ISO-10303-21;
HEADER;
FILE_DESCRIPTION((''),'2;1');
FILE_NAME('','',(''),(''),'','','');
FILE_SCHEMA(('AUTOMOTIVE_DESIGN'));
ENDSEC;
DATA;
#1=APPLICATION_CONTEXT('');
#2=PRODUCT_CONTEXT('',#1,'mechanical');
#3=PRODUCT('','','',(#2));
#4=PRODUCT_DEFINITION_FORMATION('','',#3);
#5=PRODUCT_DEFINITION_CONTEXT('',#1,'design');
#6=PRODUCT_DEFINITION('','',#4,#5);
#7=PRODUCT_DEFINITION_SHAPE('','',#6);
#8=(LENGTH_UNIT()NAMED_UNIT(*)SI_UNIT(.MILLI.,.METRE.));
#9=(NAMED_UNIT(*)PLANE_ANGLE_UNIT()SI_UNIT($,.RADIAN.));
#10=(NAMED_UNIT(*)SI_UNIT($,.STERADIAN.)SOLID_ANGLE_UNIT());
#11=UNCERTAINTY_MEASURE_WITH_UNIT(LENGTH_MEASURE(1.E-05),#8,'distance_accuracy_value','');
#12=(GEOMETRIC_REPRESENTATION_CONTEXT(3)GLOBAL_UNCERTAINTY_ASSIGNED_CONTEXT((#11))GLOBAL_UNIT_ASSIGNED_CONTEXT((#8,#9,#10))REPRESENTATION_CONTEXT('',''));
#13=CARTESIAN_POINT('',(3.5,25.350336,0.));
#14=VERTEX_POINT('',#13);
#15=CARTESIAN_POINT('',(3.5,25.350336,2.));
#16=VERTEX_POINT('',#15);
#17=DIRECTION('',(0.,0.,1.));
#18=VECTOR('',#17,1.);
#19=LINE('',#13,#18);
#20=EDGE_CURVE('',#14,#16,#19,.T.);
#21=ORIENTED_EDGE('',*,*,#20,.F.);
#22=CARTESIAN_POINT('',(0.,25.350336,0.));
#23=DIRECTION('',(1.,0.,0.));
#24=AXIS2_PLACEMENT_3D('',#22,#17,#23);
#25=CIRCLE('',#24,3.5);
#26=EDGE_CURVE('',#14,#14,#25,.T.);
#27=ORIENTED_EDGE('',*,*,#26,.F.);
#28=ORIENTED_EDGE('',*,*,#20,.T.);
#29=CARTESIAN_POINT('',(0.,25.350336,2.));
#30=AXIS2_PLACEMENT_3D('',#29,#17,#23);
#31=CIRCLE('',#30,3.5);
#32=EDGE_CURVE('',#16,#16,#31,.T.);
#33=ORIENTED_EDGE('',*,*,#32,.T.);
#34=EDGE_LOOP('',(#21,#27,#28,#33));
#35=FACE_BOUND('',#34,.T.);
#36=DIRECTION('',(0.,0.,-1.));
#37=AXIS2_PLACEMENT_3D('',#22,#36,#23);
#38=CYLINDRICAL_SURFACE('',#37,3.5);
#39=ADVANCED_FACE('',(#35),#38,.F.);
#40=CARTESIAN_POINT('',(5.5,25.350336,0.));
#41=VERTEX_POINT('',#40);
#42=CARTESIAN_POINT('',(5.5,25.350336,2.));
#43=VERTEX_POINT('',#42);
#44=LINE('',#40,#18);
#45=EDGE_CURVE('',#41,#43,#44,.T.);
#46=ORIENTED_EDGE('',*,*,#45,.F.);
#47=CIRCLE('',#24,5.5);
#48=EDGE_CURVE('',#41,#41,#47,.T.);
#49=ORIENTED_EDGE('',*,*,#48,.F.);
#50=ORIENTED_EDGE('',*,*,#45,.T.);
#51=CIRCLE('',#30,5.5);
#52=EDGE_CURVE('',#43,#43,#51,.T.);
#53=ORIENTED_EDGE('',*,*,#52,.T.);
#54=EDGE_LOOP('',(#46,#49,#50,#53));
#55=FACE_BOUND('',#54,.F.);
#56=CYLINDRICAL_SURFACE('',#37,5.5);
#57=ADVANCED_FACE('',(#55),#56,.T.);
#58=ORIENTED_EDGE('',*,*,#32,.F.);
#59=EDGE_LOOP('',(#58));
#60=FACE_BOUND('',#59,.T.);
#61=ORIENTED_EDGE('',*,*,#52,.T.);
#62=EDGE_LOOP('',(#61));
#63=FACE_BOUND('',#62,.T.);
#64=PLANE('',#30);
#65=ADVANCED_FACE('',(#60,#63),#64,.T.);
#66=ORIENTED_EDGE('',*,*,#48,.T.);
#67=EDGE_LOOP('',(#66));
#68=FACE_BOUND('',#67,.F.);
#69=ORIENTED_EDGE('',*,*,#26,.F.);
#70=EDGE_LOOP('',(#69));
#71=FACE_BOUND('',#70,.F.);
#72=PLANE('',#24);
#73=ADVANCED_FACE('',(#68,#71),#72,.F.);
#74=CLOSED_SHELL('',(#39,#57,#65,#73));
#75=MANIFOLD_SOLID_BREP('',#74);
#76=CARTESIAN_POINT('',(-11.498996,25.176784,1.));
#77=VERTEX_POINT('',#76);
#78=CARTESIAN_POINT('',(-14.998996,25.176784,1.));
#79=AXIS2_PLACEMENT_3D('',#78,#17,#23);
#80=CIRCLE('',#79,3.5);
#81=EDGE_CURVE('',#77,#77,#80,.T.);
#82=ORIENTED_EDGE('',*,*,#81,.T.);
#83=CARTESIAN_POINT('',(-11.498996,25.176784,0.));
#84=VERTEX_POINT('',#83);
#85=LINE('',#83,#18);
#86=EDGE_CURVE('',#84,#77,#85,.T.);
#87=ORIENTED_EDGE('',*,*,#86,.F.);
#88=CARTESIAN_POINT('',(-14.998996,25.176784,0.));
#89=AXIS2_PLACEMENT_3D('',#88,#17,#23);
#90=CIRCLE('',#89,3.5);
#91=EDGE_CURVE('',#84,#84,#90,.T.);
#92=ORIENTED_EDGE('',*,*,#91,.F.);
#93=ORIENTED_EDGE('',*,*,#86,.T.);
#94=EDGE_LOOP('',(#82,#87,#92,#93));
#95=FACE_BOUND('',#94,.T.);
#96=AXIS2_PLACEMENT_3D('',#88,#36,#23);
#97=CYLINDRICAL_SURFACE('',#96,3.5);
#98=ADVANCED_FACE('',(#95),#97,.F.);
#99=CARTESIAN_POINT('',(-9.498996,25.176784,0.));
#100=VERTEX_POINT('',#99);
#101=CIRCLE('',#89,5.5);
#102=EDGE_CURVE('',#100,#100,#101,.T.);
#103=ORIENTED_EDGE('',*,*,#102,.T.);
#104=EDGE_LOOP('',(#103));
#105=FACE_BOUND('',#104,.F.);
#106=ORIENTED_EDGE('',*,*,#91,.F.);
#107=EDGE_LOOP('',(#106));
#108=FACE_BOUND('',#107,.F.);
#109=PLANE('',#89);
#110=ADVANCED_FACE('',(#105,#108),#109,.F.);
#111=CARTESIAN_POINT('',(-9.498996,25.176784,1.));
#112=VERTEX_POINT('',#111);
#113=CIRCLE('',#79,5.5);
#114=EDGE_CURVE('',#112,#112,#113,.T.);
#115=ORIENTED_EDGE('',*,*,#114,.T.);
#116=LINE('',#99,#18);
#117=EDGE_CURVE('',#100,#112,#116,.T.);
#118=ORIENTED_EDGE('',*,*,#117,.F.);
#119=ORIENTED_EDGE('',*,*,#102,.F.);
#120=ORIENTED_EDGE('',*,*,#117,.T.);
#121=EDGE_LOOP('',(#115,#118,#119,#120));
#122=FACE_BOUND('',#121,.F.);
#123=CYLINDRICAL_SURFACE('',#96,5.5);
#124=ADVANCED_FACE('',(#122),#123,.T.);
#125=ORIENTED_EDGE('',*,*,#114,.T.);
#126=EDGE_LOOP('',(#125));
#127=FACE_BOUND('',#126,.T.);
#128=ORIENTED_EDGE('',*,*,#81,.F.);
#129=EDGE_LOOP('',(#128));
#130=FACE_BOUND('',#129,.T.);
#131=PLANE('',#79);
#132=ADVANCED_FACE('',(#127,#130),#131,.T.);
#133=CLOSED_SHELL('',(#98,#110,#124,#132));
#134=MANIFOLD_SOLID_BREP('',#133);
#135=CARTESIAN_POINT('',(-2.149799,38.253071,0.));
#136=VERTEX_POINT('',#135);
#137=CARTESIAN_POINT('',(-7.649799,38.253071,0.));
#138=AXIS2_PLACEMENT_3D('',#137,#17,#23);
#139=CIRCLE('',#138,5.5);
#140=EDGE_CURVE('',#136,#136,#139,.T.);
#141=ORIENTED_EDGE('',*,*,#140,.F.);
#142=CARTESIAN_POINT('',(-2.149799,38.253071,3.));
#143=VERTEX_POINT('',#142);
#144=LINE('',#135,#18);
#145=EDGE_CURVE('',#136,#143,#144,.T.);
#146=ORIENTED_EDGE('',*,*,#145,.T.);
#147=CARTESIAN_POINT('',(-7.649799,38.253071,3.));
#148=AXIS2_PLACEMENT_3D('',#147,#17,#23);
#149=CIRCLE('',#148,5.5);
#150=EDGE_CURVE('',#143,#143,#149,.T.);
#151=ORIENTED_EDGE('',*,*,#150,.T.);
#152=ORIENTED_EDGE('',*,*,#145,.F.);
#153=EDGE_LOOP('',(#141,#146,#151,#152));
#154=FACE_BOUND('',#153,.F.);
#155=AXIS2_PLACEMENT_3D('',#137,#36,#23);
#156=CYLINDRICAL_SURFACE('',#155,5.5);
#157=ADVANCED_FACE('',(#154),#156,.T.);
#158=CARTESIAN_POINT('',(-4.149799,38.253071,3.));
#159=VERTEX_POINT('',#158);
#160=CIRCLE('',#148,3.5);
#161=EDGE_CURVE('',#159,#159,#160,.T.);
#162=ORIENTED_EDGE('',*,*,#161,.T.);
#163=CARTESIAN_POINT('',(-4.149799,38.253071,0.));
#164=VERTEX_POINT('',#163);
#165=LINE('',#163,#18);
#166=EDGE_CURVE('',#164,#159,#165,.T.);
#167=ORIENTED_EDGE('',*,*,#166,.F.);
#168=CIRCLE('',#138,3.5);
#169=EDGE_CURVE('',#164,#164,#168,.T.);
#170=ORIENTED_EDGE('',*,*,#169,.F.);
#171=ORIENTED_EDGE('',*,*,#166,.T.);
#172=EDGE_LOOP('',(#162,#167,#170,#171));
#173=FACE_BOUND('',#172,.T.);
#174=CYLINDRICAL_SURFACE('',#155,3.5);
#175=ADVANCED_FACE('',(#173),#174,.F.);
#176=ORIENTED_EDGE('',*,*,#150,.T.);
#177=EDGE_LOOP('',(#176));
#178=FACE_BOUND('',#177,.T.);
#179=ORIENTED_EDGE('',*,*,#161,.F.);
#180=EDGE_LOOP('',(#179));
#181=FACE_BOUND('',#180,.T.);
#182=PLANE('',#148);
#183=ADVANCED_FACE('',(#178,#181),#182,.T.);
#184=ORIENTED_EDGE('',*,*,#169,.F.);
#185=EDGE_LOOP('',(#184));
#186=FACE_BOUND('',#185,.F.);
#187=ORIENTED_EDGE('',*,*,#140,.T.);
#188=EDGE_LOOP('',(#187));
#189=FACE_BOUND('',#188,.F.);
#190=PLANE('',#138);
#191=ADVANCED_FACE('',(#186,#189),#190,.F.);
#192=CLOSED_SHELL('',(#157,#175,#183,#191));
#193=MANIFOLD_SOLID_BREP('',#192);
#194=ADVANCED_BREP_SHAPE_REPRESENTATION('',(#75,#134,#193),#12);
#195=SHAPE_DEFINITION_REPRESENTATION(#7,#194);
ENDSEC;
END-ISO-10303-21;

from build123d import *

# Parameters (mm, degrees)
F0_R     = 5.5
F0_R_2   = 3.5
F1_DEPTH = 1
F2_DEPTH = 2
F3_DEPTH = 3


with BuildPart() as f1:
    # F0 (on Top) → F1 (new body)
    with BuildSketch(Plane.XY):
        with Locations((-14.998996, 25.176784)):
            Circle(F0_R)
        with Locations((-14.998996, 25.176784)):
            Circle(F0_R_2, mode=Mode.SUBTRACT)
    extrude(amount=F1_DEPTH)


with BuildPart() as f2:
    # F0 (on Top) → F2 (new body)
    with BuildSketch(Plane.XY):
        with Locations((0, 25.350336)):
            Circle(F0_R)
        with Locations((0, 25.350336)):
            Circle(F0_R_2, mode=Mode.SUBTRACT)
    extrude(amount=F2_DEPTH)


with BuildPart() as f3:
    # F0 (on Top) → F3 (new body)
    with BuildSketch(Plane.XY):
        with Locations((-7.649799, 38.253071)):
            Circle(F0_R)
        with Locations((-7.649799, 38.253071)):
            Circle(F0_R_2, mode=Mode.SUBTRACT)
    extrude(amount=F3_DEPTH)


solid = Compound([f1.part, f2.part, f3.part])
